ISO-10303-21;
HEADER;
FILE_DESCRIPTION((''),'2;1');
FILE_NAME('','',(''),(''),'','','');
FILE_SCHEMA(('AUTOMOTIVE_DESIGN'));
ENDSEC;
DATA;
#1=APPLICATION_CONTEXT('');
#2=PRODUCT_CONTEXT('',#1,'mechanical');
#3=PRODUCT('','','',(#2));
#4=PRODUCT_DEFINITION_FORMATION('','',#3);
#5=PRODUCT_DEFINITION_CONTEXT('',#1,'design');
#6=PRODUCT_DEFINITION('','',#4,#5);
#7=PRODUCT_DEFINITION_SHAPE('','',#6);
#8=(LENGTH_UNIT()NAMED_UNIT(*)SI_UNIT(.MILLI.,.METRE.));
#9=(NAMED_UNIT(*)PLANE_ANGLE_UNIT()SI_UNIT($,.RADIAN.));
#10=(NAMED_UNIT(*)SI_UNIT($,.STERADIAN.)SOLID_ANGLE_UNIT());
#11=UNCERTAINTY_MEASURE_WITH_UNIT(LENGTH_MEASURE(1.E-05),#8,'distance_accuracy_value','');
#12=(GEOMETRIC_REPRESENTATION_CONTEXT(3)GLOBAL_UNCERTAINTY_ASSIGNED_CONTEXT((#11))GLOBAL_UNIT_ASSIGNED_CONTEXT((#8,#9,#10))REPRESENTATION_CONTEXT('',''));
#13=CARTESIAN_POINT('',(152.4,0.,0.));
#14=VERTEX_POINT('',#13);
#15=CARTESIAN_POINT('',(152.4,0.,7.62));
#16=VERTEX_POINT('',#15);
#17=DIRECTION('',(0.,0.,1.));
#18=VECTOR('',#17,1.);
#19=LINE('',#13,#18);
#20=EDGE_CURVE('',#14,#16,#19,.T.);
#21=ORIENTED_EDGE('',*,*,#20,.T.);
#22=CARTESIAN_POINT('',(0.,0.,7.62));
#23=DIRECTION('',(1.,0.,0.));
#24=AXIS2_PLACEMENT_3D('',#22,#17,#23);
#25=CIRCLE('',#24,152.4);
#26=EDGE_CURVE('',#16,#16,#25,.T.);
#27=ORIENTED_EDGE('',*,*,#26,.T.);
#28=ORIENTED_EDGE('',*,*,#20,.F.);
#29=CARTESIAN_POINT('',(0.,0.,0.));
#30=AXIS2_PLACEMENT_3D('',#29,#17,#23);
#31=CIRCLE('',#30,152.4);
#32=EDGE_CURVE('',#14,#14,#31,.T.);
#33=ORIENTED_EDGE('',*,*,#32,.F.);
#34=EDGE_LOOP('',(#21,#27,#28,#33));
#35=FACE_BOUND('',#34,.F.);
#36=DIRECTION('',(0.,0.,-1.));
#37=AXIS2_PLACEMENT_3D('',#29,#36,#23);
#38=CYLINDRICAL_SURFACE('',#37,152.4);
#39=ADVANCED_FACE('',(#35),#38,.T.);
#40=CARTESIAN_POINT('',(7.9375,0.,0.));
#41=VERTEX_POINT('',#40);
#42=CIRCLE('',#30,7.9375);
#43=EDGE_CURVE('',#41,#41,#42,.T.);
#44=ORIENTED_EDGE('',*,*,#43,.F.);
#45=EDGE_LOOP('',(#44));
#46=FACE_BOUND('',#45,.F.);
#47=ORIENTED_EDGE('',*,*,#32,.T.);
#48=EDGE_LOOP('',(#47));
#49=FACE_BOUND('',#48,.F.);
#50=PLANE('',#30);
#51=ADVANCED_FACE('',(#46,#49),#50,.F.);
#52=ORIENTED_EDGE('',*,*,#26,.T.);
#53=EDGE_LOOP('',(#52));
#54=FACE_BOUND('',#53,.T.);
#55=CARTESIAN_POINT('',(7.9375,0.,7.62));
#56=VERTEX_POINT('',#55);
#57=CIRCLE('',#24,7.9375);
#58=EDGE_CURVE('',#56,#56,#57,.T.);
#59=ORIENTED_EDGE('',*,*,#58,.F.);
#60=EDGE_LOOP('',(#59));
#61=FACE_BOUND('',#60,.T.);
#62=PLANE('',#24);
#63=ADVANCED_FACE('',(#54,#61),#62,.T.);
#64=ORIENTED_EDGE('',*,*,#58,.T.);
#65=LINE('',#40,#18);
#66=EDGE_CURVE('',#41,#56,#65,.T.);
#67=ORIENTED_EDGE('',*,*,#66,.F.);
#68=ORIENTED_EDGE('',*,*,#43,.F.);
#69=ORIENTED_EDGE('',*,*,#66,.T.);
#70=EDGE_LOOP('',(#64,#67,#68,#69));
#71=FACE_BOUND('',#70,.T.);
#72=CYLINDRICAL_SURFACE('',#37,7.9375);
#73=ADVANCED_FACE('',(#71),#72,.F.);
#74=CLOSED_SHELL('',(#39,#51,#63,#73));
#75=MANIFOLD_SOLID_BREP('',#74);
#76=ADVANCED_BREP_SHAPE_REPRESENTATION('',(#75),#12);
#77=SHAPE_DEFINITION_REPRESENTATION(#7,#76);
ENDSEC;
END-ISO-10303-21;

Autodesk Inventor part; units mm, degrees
ref_plane "YZ Plane" through (0, 0, 0) normal (1, 0, 0) x (0, 1, 0)
ref_plane "XZ Plane" through (0, 0, 0) normal (0, 1, 0) x (-1, 0, 0)
ref_plane "XY Plane" through (0, 0, 0) normal (0, 0, 1) x (1, 0, 0)
sketch "Sketch1" plane through (0, 0, 0) normal (0, 0, 1) x (1, 0, 0)
  circle A0 centre (0, 0) radius 152.4
  circle A1 centre (0, 0) radius 7.9375
  dimension "d0" = 304.8
  dimension "d1" = 15.875
extrude "Extrusion1" add sketch "Sketch1" along normal blind 7.62
properties part number "saw blade" material "Aluminum 6061"
